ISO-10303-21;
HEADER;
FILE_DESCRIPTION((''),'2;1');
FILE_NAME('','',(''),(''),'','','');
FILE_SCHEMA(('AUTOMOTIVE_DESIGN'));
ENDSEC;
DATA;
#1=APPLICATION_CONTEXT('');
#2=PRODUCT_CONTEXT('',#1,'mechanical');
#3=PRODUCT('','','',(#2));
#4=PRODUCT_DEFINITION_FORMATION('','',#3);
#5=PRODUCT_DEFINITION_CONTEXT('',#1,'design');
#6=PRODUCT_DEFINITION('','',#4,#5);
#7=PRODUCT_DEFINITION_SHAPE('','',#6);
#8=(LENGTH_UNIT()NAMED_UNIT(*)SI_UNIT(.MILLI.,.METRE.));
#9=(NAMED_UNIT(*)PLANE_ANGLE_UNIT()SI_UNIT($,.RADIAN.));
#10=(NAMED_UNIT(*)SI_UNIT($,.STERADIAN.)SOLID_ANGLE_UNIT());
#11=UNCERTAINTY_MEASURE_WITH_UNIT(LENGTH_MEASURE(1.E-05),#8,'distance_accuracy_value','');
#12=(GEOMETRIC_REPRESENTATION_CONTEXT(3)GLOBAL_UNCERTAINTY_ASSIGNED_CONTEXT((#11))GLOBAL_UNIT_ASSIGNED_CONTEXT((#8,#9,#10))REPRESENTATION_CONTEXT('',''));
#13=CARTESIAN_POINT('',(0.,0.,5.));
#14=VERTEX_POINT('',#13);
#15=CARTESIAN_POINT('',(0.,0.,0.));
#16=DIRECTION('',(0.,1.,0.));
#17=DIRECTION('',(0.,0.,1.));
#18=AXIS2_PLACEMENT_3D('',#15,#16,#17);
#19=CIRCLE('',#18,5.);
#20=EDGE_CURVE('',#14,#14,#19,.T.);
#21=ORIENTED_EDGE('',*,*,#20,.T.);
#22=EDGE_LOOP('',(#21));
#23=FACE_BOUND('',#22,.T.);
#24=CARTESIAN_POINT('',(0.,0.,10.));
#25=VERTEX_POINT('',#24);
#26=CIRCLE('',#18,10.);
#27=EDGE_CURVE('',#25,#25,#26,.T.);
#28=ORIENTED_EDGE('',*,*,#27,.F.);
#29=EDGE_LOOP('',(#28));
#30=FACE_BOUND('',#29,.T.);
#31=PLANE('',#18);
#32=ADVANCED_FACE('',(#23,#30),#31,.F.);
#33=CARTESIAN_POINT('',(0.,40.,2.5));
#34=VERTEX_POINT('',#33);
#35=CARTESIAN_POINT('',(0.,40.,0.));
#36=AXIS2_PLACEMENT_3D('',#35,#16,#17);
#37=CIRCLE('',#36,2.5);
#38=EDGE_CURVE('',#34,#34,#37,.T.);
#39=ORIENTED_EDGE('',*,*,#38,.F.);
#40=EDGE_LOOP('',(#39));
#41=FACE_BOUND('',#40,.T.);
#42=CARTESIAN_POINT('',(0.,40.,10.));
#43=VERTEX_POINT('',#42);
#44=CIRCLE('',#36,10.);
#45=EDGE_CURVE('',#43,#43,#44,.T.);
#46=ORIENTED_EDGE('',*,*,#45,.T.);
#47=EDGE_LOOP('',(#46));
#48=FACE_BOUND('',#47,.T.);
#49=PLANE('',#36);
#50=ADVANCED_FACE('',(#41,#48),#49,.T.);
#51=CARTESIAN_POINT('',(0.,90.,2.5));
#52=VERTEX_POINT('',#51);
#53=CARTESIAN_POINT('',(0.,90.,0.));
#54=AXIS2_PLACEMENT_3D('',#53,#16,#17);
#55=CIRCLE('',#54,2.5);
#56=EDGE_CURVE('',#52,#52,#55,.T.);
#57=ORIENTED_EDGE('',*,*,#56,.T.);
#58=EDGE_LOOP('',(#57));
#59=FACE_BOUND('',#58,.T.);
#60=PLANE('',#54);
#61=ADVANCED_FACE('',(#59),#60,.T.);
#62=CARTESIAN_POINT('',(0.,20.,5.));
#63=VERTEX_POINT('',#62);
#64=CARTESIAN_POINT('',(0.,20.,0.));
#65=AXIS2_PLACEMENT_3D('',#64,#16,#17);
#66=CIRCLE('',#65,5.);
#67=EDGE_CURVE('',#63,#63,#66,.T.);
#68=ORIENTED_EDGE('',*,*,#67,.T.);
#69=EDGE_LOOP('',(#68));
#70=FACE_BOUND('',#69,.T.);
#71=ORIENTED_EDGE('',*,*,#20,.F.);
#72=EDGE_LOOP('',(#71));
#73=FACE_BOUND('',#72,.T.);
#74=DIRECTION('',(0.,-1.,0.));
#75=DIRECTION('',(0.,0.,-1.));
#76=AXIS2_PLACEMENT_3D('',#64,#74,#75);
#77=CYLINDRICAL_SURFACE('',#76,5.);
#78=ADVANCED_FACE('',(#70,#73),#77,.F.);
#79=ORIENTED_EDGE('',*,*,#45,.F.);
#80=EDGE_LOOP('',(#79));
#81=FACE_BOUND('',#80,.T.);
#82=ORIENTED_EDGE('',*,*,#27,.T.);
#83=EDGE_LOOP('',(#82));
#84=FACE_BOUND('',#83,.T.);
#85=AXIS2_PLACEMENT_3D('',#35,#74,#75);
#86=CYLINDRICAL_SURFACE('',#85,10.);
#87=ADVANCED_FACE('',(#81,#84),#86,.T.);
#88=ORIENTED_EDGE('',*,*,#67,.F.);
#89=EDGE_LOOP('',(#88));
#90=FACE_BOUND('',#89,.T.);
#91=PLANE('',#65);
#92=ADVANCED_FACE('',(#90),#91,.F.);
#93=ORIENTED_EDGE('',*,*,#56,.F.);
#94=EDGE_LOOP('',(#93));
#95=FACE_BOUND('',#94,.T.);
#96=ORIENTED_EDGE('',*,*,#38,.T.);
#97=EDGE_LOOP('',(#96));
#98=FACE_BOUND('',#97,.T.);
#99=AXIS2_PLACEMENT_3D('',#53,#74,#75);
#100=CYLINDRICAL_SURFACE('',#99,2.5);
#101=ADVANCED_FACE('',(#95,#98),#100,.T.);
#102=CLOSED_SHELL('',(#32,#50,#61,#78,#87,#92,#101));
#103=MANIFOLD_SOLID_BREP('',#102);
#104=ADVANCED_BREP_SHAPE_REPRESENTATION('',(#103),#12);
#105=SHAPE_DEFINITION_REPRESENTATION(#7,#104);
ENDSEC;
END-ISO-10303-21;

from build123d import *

# Parameters (mm, degrees)
SKETCH2_R           = 10
SKETCH2_R_2         = 2.5
BOSS_EXTRUDE1_DEPTH = 40
BOSS_EXTRUDE2_START = 40
SKETCH2_3_R         = 2.5
BOSS_EXTRUDE2_DEPTH = 50
SKETCH3_R           = 5
CUT_EXTRUDE1_DEPTH  = 20


with BuildPart() as part:
    # Sketch2 → Boss-Extrude1 (new body)
    # profile 1 of 2: a face of its own
    with BuildSketch(Plane(origin=(0, 0, 0), x_dir=(1, 0, 0), z_dir=(0, 1, 0))):
        with Locations(Location((0, 0, 0), (0, 0, 270))):
            Circle(SKETCH2_R)
        Circle(SKETCH2_R_2, mode=Mode.SUBTRACT)
    # profile 2 of 2: a face of its own
    with BuildSketch(Plane(origin=(0, 0, 0), x_dir=(1, 0, 0), z_dir=(0, 1, 0))):
        Circle(SKETCH2_R_2)
    extrude(amount=BOSS_EXTRUDE1_DEPTH)

    # Sketch2<3> → Boss-Extrude2 (add)
    with BuildSketch(Plane(origin=(0, 0, 0), x_dir=(1, 0, 0), z_dir=(0, 1, 0)).offset(BOSS_EXTRUDE2_START)):
        with Locations(Location((0, 0, 0), (0, 0, 270))):
            Circle(SKETCH2_3_R)
    extrude(amount=BOSS_EXTRUDE2_DEPTH)

    # Sketch3 → Cut-Extrude1 (cut)
    with BuildSketch(Plane(origin=(0, 0, 0), x_dir=(1, 0, 0), z_dir=(0, 1, 0))):
        with Locations(Location((0, 0, 0), (0, 0, 270))):
            Circle(SKETCH3_R)
    extrude(amount=CUT_EXTRUDE1_DEPTH, mode=Mode.SUBTRACT)


solid = part.part
